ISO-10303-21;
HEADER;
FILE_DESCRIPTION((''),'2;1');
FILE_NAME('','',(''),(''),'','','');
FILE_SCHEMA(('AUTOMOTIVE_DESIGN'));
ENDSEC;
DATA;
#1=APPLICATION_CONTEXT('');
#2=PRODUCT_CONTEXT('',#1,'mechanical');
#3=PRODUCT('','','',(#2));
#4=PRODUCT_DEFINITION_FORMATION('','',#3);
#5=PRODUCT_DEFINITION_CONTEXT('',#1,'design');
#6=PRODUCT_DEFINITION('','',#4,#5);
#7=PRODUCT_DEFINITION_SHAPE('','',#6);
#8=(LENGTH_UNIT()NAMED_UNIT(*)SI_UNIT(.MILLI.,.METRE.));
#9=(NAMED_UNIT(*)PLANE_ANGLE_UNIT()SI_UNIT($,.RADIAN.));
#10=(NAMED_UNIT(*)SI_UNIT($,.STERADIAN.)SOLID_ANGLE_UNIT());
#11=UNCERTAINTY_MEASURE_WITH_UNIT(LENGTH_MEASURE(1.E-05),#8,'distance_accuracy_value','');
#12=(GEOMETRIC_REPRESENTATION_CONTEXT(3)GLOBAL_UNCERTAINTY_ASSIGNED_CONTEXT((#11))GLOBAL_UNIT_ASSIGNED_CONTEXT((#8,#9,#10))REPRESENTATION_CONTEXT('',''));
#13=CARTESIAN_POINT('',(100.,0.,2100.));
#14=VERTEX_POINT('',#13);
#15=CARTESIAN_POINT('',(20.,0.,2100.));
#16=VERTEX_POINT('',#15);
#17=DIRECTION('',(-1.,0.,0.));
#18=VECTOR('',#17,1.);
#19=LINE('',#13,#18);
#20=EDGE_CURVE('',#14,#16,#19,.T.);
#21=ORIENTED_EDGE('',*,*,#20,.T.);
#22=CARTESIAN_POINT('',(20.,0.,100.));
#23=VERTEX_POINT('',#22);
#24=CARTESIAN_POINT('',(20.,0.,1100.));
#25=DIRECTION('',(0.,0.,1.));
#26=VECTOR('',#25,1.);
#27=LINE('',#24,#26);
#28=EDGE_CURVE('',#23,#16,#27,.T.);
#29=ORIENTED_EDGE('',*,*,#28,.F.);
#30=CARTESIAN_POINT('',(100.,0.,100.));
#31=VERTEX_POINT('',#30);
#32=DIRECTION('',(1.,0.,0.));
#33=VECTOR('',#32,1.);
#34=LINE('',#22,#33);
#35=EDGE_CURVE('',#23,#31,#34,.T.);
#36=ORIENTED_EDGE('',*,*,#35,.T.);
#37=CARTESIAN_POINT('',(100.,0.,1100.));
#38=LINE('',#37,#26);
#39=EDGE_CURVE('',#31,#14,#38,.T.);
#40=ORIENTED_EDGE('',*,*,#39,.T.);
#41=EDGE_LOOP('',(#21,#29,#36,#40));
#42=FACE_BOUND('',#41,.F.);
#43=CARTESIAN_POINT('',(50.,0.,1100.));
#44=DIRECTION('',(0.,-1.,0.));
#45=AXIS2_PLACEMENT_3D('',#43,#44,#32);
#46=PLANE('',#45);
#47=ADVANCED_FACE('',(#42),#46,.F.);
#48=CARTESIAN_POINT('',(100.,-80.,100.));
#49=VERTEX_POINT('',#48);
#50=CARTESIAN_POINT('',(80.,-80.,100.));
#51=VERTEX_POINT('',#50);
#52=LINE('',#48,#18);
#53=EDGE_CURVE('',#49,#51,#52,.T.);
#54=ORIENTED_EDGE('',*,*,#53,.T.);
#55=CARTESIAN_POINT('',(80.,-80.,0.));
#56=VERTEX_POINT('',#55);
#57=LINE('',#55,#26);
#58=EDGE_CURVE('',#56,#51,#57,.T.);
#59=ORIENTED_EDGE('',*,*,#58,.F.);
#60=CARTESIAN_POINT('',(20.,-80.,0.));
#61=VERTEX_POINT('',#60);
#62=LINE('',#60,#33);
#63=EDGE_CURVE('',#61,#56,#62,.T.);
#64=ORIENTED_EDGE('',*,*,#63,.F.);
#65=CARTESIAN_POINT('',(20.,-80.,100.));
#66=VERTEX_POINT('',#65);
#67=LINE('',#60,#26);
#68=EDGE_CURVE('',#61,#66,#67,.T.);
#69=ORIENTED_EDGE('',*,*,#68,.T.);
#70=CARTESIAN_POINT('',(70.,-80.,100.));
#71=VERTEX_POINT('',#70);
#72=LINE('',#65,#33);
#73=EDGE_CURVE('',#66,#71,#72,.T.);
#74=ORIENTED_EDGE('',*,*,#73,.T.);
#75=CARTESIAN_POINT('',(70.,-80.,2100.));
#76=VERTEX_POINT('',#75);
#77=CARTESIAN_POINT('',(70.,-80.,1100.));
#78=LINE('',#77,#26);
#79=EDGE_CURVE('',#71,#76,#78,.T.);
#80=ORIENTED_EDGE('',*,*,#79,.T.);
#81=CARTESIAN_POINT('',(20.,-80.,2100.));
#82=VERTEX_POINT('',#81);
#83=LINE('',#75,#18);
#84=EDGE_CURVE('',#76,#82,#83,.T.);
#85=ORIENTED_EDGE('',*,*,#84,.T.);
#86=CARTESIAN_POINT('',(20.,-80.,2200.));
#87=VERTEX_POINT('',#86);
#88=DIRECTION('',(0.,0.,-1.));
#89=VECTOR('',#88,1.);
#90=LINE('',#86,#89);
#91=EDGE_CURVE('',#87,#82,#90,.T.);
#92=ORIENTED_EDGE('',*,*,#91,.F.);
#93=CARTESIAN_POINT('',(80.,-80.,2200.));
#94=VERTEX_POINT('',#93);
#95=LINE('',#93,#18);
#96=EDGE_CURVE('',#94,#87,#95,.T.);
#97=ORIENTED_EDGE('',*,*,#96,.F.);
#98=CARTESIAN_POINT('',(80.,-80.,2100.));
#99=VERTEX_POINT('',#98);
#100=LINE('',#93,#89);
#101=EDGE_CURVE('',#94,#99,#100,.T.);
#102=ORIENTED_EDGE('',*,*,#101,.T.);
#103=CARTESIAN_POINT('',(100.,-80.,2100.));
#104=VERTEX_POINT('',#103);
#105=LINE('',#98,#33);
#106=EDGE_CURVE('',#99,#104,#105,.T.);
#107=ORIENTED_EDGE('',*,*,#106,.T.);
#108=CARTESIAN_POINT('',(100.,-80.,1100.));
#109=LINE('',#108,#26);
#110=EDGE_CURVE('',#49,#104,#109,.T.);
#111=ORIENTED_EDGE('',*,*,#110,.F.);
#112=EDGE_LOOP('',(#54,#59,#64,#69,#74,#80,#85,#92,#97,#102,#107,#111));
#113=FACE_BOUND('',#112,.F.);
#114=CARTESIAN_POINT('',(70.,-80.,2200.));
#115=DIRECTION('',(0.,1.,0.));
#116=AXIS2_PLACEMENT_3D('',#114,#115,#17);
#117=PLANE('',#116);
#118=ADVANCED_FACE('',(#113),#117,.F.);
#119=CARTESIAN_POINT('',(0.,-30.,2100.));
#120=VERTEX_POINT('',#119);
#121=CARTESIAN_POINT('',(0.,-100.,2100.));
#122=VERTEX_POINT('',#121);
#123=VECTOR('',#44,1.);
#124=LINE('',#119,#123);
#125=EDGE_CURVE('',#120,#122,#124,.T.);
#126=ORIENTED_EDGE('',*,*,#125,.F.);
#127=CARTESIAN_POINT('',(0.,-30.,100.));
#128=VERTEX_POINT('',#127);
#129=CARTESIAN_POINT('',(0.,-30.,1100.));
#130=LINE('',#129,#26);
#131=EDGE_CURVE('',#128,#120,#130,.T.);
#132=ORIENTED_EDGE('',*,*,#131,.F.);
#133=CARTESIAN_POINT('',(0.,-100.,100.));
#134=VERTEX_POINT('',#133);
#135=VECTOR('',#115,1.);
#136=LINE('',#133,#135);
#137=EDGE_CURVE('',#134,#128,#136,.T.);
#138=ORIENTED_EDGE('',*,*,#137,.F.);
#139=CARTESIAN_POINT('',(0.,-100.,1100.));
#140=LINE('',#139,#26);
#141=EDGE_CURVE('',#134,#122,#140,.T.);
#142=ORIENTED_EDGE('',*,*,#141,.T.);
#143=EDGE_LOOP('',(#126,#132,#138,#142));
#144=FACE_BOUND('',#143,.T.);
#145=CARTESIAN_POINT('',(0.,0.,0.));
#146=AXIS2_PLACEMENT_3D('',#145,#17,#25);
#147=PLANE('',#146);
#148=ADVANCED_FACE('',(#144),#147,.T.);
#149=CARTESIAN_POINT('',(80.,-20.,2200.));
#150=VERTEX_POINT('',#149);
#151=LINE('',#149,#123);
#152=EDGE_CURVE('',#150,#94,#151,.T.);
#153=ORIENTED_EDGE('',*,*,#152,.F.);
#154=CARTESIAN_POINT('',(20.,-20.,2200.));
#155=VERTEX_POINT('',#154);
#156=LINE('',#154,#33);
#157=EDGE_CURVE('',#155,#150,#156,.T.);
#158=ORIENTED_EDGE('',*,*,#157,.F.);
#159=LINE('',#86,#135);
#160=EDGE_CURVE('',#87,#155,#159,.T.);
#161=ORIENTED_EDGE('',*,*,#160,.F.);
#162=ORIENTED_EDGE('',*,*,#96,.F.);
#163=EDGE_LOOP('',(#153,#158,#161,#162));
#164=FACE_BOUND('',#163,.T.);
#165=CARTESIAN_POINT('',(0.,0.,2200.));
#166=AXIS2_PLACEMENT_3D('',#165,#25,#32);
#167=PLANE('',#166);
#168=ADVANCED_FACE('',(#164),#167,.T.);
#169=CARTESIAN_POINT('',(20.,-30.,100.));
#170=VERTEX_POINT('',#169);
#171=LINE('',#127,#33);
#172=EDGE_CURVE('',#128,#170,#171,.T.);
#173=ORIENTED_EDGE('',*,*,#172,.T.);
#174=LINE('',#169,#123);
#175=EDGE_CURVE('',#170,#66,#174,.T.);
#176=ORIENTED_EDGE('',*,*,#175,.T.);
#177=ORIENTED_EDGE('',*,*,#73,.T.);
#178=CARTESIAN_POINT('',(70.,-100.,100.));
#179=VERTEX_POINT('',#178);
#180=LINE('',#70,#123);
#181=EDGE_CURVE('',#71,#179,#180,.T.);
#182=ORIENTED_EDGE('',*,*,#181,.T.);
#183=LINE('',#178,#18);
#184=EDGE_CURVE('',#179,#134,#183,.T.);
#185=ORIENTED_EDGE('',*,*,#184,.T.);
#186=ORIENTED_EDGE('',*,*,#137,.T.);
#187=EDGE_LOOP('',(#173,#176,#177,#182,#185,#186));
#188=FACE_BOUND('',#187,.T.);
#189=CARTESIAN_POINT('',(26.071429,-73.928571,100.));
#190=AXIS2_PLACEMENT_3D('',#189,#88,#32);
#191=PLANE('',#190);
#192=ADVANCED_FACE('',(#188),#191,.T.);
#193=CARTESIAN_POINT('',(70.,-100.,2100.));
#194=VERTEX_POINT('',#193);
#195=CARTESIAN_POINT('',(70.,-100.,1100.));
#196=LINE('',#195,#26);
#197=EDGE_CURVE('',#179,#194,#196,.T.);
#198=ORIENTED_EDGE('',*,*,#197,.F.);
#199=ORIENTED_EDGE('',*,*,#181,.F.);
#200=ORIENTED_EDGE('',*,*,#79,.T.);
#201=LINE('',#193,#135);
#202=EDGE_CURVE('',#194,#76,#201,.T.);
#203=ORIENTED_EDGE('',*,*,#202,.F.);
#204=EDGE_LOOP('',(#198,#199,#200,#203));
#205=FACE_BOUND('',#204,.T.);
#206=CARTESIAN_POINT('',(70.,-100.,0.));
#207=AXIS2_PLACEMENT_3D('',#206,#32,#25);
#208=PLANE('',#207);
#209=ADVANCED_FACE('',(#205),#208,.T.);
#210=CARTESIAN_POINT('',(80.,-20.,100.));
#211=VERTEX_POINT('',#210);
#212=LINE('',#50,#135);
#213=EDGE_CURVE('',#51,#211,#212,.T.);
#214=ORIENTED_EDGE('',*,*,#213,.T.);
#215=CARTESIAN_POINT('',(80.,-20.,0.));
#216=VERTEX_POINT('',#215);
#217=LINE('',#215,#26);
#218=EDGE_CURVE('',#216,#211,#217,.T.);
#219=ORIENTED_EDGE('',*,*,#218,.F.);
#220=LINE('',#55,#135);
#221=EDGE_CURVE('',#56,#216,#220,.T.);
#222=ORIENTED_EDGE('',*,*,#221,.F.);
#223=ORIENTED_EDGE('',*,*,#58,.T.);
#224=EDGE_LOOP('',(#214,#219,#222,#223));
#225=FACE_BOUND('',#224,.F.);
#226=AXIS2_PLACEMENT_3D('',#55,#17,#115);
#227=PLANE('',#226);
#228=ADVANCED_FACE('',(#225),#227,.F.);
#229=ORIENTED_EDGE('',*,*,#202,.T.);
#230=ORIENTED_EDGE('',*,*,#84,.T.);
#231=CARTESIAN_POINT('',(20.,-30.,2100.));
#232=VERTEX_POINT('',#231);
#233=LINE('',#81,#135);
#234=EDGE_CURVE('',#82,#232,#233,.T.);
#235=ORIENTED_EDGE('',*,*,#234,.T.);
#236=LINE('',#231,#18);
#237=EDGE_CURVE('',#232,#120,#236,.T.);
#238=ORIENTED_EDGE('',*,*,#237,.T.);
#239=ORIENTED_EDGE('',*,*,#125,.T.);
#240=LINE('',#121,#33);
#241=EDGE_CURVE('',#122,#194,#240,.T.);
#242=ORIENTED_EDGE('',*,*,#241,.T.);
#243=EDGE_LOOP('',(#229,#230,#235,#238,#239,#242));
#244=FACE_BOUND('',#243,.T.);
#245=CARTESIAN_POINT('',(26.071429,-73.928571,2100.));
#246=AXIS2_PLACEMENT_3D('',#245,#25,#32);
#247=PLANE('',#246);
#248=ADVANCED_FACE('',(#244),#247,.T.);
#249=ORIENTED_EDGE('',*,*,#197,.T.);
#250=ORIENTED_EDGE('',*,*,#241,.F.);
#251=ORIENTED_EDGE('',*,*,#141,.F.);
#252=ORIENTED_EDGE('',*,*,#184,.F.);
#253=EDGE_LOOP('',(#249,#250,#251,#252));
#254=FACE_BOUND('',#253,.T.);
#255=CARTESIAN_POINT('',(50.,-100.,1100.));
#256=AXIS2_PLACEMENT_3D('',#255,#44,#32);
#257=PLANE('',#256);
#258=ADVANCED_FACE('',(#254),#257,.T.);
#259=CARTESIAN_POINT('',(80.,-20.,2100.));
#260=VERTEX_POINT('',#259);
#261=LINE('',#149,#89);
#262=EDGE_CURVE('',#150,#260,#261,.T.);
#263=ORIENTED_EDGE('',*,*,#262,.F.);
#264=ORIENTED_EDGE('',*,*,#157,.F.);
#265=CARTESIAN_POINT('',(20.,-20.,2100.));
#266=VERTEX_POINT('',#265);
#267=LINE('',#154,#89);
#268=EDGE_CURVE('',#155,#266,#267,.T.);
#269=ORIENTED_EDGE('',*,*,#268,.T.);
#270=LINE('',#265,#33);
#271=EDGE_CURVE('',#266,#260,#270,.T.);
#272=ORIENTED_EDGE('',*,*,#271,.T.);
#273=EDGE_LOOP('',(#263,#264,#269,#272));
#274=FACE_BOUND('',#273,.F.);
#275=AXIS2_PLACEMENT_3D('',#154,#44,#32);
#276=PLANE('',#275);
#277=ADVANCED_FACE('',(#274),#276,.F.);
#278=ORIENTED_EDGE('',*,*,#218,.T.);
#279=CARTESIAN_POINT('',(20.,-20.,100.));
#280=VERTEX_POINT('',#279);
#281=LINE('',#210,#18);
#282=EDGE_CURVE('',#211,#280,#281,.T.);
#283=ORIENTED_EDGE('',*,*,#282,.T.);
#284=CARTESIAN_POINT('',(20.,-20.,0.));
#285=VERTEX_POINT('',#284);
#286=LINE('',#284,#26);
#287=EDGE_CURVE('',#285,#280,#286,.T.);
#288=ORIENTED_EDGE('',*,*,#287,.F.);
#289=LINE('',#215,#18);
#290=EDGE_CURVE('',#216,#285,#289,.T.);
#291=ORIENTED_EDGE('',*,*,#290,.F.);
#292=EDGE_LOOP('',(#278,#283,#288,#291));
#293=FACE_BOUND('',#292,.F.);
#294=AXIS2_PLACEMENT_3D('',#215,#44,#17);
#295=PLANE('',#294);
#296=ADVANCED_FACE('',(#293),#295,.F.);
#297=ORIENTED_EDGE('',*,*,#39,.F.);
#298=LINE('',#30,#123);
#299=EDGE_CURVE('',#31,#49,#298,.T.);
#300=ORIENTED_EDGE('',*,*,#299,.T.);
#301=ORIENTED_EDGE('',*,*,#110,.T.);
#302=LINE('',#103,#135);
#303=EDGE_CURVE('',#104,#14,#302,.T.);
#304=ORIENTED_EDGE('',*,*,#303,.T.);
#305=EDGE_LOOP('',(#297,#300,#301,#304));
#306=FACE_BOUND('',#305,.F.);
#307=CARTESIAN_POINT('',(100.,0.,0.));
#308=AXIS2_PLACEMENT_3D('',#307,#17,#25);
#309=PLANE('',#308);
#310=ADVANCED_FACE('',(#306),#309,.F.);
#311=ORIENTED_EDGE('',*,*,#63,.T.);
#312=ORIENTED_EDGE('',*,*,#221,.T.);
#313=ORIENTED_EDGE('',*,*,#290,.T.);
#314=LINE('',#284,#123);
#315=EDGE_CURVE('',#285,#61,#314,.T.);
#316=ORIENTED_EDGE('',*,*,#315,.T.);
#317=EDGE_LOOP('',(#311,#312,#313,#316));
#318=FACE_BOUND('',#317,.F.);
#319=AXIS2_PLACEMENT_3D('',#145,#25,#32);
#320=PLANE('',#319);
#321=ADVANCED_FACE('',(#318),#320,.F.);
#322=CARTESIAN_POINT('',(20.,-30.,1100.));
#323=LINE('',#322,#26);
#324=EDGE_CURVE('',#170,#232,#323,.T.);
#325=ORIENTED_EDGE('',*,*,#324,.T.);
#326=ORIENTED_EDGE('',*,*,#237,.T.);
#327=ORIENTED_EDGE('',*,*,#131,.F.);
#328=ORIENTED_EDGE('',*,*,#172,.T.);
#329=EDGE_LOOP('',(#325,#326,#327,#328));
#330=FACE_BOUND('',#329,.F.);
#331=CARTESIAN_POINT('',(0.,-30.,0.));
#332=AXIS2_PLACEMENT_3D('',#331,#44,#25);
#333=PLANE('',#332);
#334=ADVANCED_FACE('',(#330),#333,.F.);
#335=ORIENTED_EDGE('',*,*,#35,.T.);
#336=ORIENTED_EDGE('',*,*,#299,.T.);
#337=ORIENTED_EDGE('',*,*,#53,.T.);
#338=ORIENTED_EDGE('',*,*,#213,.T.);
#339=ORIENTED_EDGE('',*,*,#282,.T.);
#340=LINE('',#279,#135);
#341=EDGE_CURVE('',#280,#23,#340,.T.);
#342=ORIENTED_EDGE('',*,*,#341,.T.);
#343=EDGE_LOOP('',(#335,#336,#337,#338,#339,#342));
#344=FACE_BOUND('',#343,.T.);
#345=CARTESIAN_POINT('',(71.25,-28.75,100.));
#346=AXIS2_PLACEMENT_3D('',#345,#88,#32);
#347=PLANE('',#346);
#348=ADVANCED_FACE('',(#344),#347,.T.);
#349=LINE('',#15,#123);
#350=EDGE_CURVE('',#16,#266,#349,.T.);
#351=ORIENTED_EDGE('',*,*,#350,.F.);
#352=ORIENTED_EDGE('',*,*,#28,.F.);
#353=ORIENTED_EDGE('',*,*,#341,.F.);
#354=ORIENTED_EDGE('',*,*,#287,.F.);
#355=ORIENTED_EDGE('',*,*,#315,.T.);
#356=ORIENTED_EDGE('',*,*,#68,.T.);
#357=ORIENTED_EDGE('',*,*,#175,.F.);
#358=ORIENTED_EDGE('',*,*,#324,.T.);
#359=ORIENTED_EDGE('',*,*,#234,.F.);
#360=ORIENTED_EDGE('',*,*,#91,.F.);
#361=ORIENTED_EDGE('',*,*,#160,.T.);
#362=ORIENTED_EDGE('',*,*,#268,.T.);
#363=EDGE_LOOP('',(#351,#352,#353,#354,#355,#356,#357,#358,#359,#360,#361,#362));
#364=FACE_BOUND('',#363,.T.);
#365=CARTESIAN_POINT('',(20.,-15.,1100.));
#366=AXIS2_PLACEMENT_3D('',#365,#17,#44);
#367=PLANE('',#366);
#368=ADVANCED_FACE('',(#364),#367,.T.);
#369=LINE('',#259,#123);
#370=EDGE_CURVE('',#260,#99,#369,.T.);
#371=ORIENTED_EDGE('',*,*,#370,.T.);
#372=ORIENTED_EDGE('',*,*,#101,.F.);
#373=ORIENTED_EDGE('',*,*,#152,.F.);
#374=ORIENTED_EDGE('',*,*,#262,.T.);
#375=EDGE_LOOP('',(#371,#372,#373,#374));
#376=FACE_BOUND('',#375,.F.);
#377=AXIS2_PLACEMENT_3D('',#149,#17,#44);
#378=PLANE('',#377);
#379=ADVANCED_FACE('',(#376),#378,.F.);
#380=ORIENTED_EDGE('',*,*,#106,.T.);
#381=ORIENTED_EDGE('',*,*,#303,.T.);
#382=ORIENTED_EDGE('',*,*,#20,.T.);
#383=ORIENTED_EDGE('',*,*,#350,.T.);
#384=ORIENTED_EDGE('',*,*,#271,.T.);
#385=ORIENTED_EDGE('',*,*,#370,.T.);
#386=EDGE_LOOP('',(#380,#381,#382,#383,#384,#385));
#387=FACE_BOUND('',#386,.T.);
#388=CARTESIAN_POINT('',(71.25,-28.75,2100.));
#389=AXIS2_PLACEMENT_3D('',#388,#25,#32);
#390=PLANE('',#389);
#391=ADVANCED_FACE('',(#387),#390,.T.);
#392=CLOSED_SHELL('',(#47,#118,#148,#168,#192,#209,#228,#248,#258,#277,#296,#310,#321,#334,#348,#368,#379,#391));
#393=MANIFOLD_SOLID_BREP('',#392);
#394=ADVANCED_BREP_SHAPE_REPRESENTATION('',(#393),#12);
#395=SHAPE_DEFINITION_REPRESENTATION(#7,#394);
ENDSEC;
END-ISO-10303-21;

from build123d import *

# Parameters (mm, degrees)
F0_W     = 100
F0_H     = 2200
F1_DEPTH = 100
F2_W     = 30
F2_H     = 2200
F3_DEPTH = 20
F4_W     = 30
F4_H     = 2200
F5_DEPTH = 20
F7_DEPTH = 100
F9_DEPTH = 100


with BuildPart() as f1:
    # F0 (on Front) → F1 (new body)
    with BuildSketch(Plane.XZ):
        with Locations((50, 1100)):
            Rectangle(F0_W, F0_H)
    extrude(amount=F1_DEPTH)

    # F2 (on face) → F3 (cut)
    with BuildSketch(Plane.XZ.offset(100)):
        with Locations((85, 1100)):
            Rectangle(F2_W, F2_H)
    extrude(amount=-F3_DEPTH, mode=Mode.SUBTRACT)

    # F4 (on face) → F5 (cut)
    with BuildSketch(Plane(origin=(0, 0, 0), x_dir=(0, -1, 0), z_dir=(-1, 0, 0))):
        with Locations((15, 1100)):
            Rectangle(F4_W, F4_H)
    extrude(amount=-F5_DEPTH, mode=Mode.SUBTRACT)

    # F6 (on face) → F7 (cut)
    with BuildSketch(Plane.XY.offset(2200)):
        Polygon((20, -20), (80, -20), (80, -80), (100, -80), (100, 0), (20, 0), align=None)
        Polygon((20, -80), (20, -30), (0, -30), (0, -100), (70, -100), (70, -80), align=None)
    extrude(amount=-F7_DEPTH, mode=Mode.SUBTRACT)

    # F8 (on face) → F9 (cut)
    with BuildSketch(Plane(origin=(0, 0, 0), x_dir=(1, 0, 0), z_dir=(0, 0, -1))):
        Polygon((0, 30), (20, 30), (20, 80), (70, 80), (70, 100), (0, 100), align=None)
        Polygon((80, 20), (20, 20), (20, 0), (100, 0), (100, 80), (80, 80), align=None)
    extrude(amount=-F9_DEPTH, mode=Mode.SUBTRACT)


solid = f1.part
